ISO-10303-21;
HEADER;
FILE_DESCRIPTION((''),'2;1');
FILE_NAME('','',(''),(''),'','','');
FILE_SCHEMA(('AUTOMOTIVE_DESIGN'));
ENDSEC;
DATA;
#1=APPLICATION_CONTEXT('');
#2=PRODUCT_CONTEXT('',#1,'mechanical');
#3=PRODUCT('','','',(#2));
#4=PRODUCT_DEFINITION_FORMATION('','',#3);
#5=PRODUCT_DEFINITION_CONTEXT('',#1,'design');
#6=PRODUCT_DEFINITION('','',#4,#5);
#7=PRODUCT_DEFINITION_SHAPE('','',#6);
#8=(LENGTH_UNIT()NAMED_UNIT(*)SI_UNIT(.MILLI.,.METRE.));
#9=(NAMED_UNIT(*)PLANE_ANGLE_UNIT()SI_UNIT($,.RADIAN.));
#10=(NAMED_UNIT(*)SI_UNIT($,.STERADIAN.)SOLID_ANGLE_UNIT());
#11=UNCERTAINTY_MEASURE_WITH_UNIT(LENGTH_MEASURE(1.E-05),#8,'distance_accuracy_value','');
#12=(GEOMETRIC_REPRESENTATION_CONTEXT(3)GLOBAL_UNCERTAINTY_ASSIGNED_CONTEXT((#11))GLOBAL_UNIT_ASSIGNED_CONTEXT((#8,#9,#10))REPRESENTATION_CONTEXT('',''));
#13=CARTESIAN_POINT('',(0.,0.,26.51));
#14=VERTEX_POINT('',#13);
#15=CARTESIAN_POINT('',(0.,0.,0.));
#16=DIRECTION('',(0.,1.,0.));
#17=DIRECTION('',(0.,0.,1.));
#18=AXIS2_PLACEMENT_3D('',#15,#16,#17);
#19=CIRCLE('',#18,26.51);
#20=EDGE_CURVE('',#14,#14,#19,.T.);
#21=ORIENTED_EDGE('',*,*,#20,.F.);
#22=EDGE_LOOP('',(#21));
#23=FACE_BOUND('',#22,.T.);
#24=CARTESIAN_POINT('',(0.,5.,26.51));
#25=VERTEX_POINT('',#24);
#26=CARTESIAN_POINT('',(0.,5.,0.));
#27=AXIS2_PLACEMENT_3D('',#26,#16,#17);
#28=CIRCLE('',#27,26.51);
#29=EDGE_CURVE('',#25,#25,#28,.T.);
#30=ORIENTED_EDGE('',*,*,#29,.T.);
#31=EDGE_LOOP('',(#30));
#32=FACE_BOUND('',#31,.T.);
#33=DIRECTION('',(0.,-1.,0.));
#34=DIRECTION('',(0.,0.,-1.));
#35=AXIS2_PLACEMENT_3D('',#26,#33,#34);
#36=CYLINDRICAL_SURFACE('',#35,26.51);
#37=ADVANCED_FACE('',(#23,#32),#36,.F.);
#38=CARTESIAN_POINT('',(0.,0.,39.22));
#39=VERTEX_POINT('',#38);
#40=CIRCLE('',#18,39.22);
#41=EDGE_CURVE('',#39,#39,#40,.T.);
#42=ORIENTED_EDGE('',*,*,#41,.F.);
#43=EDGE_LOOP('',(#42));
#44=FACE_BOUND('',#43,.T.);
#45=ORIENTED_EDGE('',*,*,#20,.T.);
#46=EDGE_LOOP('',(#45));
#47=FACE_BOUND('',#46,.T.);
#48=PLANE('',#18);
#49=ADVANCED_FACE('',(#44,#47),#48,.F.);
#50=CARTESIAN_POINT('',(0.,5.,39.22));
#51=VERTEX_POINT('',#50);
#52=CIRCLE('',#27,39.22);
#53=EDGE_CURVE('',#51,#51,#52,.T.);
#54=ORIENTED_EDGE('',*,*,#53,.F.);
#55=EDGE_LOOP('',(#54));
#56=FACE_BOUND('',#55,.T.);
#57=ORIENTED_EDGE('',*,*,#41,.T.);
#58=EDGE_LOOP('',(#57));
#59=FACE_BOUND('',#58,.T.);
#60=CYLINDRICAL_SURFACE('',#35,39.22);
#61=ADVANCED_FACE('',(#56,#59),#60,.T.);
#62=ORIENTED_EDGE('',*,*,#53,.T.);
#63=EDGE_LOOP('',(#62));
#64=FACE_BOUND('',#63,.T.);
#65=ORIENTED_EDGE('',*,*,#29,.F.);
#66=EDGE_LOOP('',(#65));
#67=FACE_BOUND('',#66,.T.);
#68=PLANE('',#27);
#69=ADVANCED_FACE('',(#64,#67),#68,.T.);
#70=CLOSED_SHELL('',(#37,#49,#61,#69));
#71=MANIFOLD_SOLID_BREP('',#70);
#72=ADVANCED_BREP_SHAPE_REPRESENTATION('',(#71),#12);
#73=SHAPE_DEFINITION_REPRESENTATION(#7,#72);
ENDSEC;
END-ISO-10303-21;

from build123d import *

# Parameters (mm, degrees)
SKETCH1_R           = 39.22
SKETCH1_R_2         = 26.51
BOSS_EXTRUDE1_DEPTH = 5


with BuildPart() as part:
    # Sketch1 → Boss-Extrude1 (new body)
    with BuildSketch(Plane(origin=(0, 0, 0), x_dir=(1, 0, 0), z_dir=(0, 1, 0))):
        with Locations(Location((0, 0, 0), (0, 0, 270))):
            Circle(SKETCH1_R)
        with Locations(Location((0, 0, 0), (0, 0, 270))):
            Circle(SKETCH1_R_2, mode=Mode.SUBTRACT)
    extrude(amount=BOSS_EXTRUDE1_DEPTH)


solid = part.part
